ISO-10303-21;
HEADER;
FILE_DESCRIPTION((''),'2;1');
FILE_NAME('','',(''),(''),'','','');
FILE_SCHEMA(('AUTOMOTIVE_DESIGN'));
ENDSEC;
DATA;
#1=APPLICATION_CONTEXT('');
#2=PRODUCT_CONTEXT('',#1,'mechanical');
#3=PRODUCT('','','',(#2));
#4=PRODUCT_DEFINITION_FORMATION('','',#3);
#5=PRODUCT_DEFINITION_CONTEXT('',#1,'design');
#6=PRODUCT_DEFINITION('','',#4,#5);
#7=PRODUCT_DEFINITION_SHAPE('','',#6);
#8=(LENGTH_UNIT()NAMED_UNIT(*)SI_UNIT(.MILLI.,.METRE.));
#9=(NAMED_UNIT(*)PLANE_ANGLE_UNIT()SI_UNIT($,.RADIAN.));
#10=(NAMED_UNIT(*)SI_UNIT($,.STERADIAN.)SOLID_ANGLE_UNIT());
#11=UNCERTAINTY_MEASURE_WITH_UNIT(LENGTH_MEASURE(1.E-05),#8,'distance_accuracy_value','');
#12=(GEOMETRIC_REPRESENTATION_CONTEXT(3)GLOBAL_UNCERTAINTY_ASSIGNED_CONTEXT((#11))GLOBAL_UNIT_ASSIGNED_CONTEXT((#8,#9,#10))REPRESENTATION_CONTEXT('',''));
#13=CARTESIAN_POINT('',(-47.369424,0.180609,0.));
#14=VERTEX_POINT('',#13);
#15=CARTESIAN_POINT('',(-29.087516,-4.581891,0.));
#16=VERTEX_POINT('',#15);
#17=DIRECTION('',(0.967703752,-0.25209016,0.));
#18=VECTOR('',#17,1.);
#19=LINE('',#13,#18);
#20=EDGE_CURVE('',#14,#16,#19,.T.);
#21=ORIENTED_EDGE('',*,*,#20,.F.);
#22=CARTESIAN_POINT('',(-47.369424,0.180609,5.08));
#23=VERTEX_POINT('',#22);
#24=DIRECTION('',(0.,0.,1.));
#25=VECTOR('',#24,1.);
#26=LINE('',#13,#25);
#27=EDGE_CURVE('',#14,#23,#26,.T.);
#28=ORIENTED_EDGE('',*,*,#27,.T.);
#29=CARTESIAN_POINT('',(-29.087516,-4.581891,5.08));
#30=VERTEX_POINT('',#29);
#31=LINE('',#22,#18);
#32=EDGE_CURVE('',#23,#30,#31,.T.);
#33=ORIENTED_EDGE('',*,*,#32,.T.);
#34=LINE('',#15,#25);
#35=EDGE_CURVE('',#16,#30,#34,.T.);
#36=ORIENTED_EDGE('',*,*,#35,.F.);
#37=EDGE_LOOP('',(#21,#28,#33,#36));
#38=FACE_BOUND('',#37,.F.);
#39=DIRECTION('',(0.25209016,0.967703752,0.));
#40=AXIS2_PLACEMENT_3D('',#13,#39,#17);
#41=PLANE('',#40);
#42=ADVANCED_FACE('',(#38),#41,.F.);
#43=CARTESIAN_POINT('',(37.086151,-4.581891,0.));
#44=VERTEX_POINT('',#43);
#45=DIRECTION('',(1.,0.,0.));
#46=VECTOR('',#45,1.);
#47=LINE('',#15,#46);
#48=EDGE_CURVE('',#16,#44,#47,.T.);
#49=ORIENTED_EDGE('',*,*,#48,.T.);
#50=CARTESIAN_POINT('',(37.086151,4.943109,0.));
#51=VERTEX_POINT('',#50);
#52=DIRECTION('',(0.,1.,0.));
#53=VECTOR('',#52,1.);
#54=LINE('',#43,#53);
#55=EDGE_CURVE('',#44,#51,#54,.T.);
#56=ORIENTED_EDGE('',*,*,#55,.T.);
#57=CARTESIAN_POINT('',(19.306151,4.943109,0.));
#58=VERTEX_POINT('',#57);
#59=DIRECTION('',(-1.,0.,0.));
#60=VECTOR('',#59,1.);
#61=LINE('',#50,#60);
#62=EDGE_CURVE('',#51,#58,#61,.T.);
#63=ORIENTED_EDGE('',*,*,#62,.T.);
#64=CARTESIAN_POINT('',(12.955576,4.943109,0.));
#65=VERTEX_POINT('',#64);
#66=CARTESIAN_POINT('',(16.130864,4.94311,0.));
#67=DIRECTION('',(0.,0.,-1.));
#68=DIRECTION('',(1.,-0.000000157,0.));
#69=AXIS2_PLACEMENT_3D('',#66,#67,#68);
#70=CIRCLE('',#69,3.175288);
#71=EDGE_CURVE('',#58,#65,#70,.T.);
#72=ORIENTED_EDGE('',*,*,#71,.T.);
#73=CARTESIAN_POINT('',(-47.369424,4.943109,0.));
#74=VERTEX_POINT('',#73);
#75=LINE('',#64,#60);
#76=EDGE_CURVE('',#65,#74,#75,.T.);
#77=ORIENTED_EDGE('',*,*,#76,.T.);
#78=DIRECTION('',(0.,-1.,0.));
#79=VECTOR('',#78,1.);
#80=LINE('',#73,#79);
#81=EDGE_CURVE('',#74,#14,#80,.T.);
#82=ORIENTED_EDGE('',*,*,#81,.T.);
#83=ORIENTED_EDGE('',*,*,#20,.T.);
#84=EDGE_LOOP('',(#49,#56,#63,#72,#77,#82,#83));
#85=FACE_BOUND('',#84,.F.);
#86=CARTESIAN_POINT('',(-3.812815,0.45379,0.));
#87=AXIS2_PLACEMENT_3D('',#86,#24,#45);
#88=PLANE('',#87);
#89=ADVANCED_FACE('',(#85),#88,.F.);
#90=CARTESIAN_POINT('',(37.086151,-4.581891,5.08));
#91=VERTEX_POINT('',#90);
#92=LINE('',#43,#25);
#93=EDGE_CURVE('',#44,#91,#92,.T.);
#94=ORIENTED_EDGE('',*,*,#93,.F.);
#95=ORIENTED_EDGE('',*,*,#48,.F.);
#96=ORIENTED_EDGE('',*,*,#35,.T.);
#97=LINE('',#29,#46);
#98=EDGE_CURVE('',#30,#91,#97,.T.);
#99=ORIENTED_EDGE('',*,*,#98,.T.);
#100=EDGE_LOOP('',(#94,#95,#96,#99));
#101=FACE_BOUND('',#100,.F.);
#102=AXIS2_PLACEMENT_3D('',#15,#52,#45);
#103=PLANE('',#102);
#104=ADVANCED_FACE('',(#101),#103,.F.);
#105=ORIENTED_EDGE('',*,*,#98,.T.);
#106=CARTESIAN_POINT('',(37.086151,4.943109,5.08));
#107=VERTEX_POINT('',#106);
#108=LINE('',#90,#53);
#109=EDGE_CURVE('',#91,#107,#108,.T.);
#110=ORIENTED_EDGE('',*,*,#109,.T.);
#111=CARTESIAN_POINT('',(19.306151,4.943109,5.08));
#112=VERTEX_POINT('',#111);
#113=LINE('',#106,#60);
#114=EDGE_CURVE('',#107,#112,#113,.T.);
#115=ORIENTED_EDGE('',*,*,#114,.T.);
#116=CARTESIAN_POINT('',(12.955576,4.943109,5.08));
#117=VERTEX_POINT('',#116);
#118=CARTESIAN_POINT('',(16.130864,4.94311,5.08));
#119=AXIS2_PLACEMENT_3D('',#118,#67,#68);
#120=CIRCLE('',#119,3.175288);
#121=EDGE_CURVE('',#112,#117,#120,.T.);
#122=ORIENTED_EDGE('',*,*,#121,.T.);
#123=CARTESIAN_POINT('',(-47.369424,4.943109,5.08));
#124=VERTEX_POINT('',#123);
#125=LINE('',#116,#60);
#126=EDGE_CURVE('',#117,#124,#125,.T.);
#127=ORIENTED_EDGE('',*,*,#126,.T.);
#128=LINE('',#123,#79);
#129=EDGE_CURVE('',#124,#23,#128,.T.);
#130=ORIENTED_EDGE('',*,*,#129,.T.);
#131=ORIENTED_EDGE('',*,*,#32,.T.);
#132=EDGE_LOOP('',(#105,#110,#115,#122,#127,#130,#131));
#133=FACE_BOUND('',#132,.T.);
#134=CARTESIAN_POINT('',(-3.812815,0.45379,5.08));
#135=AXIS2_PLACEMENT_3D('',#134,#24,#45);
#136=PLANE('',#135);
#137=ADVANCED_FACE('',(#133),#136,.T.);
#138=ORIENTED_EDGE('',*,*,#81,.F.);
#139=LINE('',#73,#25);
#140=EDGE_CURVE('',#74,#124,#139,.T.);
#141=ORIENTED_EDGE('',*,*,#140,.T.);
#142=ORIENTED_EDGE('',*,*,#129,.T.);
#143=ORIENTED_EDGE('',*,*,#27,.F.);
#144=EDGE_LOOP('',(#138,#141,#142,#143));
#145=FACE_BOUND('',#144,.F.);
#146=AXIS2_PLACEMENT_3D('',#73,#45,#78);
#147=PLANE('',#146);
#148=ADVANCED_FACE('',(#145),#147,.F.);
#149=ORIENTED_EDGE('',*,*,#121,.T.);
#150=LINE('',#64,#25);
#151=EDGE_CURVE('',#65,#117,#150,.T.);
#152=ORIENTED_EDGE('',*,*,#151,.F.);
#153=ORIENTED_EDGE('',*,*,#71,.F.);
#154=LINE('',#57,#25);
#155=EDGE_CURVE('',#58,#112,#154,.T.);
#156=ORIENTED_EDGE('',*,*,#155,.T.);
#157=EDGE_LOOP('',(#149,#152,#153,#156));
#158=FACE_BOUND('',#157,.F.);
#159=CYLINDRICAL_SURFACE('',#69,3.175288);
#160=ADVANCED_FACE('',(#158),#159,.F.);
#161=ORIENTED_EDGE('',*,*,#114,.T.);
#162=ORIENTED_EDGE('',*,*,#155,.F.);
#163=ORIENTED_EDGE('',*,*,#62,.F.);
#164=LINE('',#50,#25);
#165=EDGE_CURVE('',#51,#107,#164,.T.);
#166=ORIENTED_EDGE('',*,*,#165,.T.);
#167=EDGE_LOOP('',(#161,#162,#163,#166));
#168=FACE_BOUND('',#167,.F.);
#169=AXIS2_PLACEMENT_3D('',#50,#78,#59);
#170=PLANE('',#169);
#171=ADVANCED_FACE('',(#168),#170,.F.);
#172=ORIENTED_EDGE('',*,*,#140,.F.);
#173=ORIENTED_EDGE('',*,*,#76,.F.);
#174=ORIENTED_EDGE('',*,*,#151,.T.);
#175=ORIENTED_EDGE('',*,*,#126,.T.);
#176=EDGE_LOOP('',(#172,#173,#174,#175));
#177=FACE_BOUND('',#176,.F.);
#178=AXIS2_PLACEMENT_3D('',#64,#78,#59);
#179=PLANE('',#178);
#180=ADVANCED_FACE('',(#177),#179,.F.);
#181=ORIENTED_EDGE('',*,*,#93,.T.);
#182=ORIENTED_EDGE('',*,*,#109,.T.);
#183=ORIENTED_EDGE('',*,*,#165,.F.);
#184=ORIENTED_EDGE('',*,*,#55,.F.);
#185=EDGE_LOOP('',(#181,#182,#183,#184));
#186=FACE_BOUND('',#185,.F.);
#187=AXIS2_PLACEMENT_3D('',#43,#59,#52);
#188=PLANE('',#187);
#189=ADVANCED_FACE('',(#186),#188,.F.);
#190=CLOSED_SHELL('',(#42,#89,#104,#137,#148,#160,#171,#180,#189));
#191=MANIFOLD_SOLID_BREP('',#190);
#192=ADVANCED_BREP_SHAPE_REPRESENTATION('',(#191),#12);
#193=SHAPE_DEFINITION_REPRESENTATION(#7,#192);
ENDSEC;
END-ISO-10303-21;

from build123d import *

# Parameters (mm, degrees)
F1_DEPTH = 5.08


with BuildPart() as f1:
    # F0 (on Top) → F1 (new body)
    with BuildSketch(Plane.XY):
        with BuildLine():
            Line((-17.206924, 4.943109), (-47.369424, 4.943109))
            Line((-47.369424, 4.943109), (-47.369424, 0.180609))
            Line((-47.369424, 0.180609), (-29.087516, -4.581891))
            Line((-29.087516, -4.581891), (37.086151, -4.581891))
            Line((37.086151, -4.581891), (37.086151, 4.943109))
            Line((37.086151, 4.943109), (19.306151, 4.943109))
            ThreePointArc((19.306151, 4.943109), (16.130863, 1.767822), (12.955576, 4.943109))
            Line((12.955576, 4.943109), (-17.206924, 4.943109))
        make_face()
    extrude(amount=F1_DEPTH)


solid = f1.part
